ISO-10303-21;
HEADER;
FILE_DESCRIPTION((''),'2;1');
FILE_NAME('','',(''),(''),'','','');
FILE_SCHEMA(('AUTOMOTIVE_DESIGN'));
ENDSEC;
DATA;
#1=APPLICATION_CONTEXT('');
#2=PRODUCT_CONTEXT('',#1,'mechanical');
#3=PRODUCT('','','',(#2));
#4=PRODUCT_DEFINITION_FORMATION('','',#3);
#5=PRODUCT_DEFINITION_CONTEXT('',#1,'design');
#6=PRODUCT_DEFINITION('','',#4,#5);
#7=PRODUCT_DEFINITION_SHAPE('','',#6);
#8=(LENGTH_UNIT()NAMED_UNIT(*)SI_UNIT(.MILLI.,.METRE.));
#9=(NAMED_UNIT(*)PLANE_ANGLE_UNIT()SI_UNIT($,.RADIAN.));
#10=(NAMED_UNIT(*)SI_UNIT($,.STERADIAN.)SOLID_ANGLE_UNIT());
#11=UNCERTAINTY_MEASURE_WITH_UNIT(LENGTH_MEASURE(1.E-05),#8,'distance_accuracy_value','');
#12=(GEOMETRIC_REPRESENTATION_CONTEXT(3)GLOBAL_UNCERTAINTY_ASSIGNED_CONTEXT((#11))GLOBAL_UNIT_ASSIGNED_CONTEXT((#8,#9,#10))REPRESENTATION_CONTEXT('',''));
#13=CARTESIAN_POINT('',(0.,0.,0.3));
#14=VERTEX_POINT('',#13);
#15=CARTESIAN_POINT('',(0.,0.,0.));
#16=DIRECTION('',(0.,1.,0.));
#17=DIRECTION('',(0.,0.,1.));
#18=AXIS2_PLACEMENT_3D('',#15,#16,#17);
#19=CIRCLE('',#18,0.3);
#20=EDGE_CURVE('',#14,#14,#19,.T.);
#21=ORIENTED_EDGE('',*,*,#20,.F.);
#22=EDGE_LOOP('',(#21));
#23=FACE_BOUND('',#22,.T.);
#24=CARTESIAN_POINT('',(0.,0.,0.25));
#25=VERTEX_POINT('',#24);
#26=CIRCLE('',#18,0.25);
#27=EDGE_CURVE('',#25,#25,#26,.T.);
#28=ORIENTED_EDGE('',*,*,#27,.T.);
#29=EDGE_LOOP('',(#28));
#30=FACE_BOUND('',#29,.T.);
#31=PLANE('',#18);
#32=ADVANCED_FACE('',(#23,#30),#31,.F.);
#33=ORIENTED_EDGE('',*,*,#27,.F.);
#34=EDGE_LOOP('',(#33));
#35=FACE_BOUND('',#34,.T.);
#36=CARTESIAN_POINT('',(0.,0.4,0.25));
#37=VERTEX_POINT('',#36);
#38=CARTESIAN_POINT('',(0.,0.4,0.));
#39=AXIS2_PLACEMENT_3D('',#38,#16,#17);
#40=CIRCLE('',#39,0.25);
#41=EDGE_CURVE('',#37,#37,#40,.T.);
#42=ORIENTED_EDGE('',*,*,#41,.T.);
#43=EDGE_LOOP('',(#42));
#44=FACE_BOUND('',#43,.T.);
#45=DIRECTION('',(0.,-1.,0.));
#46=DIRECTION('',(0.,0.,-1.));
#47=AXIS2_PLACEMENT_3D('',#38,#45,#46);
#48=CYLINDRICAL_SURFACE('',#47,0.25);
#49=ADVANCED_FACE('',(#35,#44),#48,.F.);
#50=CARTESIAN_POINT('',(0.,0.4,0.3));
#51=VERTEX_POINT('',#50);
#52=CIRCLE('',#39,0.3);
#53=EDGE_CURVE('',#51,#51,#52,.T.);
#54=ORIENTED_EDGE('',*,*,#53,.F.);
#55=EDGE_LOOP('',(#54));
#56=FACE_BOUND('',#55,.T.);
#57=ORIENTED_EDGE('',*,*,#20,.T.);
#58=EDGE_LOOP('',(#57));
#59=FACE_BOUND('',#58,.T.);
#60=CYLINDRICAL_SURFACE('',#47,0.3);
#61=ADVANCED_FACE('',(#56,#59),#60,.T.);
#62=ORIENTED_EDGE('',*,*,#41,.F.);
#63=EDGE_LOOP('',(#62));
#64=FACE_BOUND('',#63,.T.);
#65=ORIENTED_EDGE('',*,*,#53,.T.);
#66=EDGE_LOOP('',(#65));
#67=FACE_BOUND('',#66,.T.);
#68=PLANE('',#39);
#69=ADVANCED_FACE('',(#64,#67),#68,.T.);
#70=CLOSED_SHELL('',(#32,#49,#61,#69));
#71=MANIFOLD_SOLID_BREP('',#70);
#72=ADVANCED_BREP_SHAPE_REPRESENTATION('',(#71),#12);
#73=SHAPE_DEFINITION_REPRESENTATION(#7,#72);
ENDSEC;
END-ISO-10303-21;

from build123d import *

# Parameters (mm, degrees)
SKETCH1_R           = 0.3
SKETCH1_R_2         = 0.25
BOSS_EXTRUDE1_DEPTH = 0.4


with BuildPart() as part:
    # Sketch1 → Boss-Extrude1 (new body)
    with BuildSketch(Plane(origin=(0, 0, 0), x_dir=(1, 0, 0), z_dir=(0, 1, 0))):
        Circle(SKETCH1_R)
        Circle(SKETCH1_R_2, mode=Mode.SUBTRACT)
    extrude(amount=BOSS_EXTRUDE1_DEPTH)


solid = part.part
